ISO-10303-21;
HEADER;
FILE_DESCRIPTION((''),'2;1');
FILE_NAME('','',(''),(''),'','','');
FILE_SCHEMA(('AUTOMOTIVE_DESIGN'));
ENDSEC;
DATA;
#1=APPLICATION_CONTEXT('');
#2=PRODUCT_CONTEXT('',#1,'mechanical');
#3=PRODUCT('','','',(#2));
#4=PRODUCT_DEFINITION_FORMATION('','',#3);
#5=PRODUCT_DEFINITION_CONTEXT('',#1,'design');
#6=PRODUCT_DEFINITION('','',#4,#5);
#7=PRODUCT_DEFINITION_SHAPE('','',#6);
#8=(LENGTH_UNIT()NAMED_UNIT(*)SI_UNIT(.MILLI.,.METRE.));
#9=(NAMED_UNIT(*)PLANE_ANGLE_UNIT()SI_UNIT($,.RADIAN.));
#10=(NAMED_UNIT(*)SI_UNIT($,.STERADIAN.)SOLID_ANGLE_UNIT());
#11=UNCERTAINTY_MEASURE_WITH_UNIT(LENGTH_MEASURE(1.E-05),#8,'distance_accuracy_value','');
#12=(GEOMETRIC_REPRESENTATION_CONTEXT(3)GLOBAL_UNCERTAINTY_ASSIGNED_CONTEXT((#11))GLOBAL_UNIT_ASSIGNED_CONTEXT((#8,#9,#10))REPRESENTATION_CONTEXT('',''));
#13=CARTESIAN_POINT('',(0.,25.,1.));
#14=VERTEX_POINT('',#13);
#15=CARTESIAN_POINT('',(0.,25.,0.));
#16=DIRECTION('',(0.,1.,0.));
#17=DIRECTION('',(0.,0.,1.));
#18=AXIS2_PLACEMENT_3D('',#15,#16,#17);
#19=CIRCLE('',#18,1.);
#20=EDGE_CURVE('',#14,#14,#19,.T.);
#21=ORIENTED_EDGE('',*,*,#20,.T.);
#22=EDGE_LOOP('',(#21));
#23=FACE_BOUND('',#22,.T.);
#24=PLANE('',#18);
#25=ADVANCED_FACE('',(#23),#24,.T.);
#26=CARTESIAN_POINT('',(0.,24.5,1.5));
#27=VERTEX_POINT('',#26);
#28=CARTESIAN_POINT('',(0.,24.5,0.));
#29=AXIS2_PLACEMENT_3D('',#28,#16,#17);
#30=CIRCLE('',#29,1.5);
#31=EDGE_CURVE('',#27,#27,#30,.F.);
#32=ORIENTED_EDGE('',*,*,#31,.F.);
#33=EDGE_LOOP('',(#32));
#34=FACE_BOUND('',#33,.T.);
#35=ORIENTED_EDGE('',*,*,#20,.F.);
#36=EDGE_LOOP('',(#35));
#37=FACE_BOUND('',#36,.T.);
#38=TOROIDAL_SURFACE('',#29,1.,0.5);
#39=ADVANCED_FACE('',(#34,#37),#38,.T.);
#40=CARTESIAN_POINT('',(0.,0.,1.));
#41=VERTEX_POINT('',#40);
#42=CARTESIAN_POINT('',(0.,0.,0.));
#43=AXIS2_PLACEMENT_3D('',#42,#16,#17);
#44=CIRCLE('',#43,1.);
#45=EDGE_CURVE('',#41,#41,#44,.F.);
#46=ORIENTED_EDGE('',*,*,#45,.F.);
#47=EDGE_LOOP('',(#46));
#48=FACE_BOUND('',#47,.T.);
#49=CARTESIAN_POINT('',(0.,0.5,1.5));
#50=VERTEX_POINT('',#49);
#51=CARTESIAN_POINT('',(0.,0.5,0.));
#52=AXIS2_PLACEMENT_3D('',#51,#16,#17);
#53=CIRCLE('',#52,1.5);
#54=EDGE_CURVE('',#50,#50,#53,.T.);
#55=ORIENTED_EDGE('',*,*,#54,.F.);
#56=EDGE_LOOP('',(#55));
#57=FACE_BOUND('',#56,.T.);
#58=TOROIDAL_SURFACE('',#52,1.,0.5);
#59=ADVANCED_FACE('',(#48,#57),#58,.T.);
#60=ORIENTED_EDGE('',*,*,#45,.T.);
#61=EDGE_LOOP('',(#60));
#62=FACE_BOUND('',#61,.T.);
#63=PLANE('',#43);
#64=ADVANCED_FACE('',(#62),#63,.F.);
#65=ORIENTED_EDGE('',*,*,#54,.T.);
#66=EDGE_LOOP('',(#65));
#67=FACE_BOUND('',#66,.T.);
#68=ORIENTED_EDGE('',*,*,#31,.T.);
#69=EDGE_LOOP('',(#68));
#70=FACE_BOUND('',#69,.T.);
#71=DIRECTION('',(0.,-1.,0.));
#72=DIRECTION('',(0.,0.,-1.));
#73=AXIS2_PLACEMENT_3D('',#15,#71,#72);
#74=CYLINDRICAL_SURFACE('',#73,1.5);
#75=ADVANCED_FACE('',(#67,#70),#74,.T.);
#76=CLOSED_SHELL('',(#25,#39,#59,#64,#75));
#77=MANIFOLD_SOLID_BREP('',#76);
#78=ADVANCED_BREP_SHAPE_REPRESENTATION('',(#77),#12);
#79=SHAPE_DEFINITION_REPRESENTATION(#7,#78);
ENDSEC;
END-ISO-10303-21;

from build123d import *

# Parameters (mm, degrees)
SKETCH1_R           = 1.5
BOSS_EXTRUDE1_DEPTH = 25
FILLET1_R           = 0.5


with BuildPart() as part:
    # Sketch1 → Boss-Extrude1 (new body)
    with BuildSketch(Plane(origin=(0, 0, 0), x_dir=(1, 0, 0), z_dir=(0, 1, 0))):
        Circle(SKETCH1_R)
    extrude(amount=BOSS_EXTRUDE1_DEPTH)

    # Fillet1
    fillet1_edges = [part.edges().sort_by_distance(p)[0] for p in [
        (-1.5, 0, 0),
        (-1.5, 25, 0),
    ]]
    fillet(fillet1_edges, radius=FILLET1_R)


solid = part.part
